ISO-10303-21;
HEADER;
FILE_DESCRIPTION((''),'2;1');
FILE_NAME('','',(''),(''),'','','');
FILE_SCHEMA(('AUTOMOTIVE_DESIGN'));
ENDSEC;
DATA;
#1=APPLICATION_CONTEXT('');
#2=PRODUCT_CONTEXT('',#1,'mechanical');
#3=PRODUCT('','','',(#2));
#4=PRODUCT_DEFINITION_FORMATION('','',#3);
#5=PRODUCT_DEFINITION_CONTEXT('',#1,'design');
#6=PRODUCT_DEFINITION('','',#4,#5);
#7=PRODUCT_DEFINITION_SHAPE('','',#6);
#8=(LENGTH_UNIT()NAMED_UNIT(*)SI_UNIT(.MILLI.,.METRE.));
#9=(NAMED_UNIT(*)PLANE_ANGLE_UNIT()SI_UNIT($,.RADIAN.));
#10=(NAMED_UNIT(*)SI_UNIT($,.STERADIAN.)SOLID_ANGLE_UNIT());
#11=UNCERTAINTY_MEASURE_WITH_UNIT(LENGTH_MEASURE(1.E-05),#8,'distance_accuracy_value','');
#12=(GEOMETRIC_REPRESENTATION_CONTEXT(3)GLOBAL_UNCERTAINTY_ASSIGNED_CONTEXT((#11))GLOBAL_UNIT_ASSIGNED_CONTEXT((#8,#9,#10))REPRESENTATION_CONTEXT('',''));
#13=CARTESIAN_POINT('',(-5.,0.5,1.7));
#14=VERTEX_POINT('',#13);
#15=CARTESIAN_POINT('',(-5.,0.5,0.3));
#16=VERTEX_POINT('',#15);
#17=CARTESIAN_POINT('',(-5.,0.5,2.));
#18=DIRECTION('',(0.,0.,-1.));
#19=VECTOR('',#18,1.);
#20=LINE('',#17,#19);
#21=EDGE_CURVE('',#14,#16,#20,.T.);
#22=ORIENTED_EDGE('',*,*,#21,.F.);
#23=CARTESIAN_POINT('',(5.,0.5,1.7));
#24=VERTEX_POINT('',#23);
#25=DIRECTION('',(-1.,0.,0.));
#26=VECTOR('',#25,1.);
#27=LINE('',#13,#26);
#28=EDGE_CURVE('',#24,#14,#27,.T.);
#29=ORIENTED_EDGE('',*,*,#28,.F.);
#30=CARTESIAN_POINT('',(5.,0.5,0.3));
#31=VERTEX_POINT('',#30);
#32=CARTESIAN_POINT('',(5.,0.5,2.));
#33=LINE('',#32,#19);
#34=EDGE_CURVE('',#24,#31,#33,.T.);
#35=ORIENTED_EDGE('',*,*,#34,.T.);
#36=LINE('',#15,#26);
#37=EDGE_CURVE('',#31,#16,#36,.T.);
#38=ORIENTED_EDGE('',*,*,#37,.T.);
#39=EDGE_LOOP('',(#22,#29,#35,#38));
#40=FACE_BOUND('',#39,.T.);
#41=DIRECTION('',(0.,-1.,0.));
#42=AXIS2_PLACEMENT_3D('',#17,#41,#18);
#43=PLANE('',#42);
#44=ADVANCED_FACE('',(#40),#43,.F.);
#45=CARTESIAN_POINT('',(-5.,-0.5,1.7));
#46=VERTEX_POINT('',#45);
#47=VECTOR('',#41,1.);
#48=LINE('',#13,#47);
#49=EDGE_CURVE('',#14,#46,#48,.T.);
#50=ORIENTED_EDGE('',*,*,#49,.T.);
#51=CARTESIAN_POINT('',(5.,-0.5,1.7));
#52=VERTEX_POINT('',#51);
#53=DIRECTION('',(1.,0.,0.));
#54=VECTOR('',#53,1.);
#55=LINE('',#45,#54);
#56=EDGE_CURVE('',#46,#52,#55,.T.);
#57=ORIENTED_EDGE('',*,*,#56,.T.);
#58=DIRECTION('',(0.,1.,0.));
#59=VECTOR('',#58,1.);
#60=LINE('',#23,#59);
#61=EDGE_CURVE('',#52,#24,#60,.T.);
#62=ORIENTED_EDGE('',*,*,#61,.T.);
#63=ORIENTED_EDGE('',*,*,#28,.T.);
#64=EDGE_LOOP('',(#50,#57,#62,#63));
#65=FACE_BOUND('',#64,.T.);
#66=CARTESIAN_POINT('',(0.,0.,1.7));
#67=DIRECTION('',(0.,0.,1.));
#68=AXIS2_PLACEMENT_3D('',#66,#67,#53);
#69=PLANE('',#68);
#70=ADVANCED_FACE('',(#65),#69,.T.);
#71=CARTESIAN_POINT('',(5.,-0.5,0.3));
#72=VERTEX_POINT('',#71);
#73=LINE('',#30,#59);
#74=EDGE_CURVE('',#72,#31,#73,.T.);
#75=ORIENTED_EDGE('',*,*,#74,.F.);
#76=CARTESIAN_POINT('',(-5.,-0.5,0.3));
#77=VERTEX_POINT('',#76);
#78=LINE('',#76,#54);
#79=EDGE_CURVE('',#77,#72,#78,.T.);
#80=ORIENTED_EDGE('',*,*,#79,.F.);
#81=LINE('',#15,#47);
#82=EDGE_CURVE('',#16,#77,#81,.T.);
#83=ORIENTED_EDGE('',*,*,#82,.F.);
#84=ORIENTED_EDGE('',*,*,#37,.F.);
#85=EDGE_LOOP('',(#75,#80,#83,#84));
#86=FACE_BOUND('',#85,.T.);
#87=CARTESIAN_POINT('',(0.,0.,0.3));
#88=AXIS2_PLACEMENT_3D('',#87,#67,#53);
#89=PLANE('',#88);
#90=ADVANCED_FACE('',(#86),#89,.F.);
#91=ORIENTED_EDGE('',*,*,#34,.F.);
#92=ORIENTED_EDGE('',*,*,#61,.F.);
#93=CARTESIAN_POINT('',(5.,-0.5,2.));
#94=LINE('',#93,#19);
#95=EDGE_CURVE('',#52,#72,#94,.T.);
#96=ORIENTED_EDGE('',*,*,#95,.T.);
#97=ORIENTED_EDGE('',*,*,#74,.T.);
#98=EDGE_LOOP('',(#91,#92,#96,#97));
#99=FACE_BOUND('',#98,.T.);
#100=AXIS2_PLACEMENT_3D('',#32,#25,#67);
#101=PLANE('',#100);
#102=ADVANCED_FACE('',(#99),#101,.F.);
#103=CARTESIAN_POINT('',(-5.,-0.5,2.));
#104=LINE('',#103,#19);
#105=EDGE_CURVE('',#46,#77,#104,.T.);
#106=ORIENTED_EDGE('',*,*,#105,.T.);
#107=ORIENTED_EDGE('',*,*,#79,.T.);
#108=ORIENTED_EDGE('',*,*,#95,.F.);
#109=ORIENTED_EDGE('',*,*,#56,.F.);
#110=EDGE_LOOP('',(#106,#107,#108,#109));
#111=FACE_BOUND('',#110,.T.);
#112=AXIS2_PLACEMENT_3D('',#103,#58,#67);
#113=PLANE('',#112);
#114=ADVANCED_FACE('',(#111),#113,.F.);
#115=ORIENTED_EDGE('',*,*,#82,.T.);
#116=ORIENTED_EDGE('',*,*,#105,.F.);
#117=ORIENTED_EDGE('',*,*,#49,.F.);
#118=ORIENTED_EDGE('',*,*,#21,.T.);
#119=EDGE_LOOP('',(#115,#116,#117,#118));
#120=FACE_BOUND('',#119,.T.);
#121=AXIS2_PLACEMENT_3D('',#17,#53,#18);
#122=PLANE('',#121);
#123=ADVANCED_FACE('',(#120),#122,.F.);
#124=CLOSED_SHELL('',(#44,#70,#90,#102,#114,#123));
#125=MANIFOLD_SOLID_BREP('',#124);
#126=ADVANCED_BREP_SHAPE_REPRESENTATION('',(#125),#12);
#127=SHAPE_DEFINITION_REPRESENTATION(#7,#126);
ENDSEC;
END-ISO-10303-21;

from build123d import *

# Parameters (mm, degrees)
SKETCH1_W           = 10
SKETCH1_H           = 1
BOSS_EXTRUDE1_DEPTH = 2
MOVE_FACE1_BY       = 0.3
MOVE_FACE2_BY       = 0.3


with BuildPart() as part:
    # Sketch1 → Boss-Extrude1 (new body)
    with BuildSketch(Plane.XY):
        Rectangle(SKETCH1_W, SKETCH1_H)
    extrude(amount=BOSS_EXTRUDE1_DEPTH)

    # Move Face1: a face moved inward by 0.3
    extrude(part.faces().sort_by_distance((0, 0, 0))[0], amount=MOVE_FACE1_BY, dir=(0, 0, 1), mode=Mode.SUBTRACT)

    # Move Face2: a face moved inward by 0.3
    extrude(part.faces().sort_by_distance((0, 0, 2))[0], amount=MOVE_FACE2_BY, dir=(0, 0, -1), mode=Mode.SUBTRACT)


solid = part.part
